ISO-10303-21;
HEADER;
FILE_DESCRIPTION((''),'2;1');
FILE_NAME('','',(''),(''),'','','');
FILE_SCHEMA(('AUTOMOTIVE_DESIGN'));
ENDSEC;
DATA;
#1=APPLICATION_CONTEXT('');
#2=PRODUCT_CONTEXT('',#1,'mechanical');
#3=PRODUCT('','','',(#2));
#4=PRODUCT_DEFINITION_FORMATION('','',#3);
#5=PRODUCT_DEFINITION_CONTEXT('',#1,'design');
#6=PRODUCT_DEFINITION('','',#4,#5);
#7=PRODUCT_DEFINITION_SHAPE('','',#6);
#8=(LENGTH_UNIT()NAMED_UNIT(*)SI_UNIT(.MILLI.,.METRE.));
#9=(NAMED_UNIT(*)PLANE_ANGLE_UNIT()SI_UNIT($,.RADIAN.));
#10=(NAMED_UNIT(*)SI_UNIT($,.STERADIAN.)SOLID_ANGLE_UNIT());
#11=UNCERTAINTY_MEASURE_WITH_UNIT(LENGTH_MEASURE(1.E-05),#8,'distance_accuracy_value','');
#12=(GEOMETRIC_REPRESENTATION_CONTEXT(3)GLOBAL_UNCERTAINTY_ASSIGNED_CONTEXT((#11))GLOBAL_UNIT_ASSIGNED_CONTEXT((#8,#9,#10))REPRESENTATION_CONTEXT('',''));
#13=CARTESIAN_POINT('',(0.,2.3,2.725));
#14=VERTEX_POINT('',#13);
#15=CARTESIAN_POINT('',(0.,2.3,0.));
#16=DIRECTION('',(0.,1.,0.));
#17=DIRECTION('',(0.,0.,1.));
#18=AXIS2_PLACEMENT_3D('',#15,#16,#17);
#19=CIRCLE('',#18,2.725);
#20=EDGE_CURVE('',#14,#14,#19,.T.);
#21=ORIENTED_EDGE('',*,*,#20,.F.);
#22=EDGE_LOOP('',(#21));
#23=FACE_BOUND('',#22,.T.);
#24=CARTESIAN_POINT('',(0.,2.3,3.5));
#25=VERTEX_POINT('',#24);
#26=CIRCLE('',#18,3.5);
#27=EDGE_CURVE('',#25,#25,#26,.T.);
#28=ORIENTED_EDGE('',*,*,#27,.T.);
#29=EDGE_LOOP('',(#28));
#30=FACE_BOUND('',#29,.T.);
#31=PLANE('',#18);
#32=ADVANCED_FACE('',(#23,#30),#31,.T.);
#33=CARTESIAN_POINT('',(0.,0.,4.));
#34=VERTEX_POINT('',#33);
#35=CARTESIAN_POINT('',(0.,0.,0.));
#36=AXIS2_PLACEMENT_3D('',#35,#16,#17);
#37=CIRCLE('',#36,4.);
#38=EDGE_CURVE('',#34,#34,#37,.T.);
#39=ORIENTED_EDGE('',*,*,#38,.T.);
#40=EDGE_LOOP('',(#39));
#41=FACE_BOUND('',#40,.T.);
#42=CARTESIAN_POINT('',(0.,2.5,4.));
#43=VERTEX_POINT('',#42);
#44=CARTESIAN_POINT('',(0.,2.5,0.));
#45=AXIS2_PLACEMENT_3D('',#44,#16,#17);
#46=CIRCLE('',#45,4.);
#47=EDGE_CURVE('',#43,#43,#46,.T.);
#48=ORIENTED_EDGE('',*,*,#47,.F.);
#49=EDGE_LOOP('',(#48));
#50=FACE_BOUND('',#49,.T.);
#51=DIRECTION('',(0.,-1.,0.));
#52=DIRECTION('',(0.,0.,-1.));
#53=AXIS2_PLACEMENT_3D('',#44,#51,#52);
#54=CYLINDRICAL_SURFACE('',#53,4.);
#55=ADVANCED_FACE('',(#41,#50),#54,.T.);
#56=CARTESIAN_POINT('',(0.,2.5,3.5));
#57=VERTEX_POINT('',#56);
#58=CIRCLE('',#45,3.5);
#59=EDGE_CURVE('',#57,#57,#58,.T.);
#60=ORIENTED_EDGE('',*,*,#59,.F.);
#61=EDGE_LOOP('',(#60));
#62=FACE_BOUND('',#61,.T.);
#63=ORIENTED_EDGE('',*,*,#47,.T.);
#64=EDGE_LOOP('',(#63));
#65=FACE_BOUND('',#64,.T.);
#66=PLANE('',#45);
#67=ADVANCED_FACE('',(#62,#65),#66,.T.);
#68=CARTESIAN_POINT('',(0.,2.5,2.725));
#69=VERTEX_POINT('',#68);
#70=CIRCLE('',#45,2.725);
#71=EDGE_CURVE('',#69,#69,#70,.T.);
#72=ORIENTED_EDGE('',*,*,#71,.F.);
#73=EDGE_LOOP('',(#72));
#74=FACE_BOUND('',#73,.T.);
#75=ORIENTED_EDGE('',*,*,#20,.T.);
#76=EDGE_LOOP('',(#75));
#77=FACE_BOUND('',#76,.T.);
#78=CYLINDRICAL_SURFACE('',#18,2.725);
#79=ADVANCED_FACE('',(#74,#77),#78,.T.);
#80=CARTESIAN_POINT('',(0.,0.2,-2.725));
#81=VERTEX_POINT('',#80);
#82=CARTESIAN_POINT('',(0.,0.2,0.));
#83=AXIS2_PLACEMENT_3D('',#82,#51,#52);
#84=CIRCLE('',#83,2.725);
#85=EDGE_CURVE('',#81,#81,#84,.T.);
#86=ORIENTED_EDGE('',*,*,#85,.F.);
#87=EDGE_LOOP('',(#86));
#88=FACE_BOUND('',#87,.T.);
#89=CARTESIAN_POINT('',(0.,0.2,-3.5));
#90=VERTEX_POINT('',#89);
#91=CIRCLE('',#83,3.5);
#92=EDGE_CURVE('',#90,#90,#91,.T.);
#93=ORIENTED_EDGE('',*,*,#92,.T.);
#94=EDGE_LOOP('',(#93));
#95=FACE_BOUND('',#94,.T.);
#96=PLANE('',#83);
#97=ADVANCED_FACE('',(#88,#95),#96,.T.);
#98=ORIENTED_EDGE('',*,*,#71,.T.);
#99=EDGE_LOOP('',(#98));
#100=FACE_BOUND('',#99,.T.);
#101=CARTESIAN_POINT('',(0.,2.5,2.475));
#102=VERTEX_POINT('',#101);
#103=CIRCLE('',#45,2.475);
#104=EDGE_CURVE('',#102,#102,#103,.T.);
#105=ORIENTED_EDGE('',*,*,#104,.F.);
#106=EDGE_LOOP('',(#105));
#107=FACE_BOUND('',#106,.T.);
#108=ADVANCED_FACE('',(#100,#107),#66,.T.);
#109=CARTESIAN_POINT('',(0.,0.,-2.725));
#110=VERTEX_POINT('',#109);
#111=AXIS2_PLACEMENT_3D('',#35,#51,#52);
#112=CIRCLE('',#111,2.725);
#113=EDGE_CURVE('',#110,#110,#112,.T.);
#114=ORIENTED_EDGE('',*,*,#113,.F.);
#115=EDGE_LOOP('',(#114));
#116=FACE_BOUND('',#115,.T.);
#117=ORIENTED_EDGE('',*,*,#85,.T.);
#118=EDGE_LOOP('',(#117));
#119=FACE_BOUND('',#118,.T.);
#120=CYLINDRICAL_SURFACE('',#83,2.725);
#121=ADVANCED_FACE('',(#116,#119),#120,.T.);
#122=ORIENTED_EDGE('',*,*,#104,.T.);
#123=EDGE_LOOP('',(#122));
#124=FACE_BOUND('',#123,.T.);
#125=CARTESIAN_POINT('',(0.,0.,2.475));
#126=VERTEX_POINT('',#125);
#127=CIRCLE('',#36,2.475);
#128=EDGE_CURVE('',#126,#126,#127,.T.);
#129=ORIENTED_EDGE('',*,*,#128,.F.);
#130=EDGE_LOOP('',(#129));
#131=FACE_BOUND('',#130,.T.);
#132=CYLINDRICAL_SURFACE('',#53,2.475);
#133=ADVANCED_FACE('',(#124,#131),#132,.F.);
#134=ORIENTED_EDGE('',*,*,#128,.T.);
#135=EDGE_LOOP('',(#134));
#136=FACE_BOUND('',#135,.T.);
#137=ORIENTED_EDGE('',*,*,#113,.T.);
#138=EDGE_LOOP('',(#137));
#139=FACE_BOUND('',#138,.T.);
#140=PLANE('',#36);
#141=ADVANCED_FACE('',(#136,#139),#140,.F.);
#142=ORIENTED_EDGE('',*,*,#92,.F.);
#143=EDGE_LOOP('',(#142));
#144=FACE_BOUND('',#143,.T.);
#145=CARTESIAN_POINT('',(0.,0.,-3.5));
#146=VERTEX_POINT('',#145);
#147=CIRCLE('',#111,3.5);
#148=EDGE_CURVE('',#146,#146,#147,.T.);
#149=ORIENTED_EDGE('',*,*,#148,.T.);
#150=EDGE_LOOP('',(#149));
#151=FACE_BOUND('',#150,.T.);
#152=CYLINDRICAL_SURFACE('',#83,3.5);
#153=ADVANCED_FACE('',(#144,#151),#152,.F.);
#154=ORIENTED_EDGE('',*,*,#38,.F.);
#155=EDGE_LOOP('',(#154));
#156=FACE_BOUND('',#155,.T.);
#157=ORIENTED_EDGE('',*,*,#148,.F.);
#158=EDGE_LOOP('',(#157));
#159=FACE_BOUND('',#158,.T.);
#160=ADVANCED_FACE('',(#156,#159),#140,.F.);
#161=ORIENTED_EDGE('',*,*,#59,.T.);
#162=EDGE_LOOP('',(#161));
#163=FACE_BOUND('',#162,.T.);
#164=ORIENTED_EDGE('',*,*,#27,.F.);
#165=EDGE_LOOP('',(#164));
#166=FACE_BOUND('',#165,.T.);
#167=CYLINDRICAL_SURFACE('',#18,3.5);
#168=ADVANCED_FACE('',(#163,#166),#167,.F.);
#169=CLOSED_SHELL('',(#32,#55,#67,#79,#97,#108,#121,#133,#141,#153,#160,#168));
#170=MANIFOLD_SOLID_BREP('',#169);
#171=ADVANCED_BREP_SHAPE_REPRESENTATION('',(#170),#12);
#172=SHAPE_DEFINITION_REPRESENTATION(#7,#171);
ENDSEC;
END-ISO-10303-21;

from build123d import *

# Parameters (mm, degrees)
SKETCH_1_R          = 4
SKETCH_1_R_2        = 2.475
EXTRUDE_1_DEPTH     = 2.5
SKETCH_2_R          = 3.5
SKETCH_2_R_2        = 3.2
SKETCH_2_R_3        = 2.725
CUT_EXTRUDE_1_DEPTH = 0.2
CUT_EXTRUDE_START   = -0.2
SKETCH_3_R          = 3.5
SKETCH_3_R_2        = 2.725
CUT_EXTRUDE_2_DEPTH = 0.2


with BuildPart() as part:
    # Эскиз1 → Бобышка-Вытянуть1 (new body)
    with BuildSketch(Plane(origin=(0, 0, 0), x_dir=(1, 0, 0), z_dir=(0, 1, 0))):
        with Locations(Location((0, 0, 0), (0, 0, 270))):
            Circle(SKETCH_1_R)
        with Locations(Location((0, 0, 0), (0, 0, 270))):
            Circle(SKETCH_1_R_2, mode=Mode.SUBTRACT)
    extrude(amount=EXTRUDE_1_DEPTH)

    # Эскиз2 → Вырез-Вытянуть1 (cut)
    # profile 1 of 2: a face of its own
    with BuildSketch(Plane(origin=(0, 2.5, 0), x_dir=(1, 0, 0), z_dir=(0, 1, 0))):
        with Locations(Location((0, 0, 0), (0, 0, 270))):
            Circle(SKETCH_2_R)
        Circle(SKETCH_2_R_2, mode=Mode.SUBTRACT)
    # profile 2 of 2: a face of its own
    with BuildSketch(Plane(origin=(0, 2.5, 0), x_dir=(1, 0, 0), z_dir=(0, 1, 0))):
        Circle(SKETCH_2_R_2)
        with Locations(Location((0, 0, 0), (0, 0, 270))):
            Circle(SKETCH_2_R_3, mode=Mode.SUBTRACT)
    extrude(amount=-CUT_EXTRUDE_1_DEPTH, mode=Mode.SUBTRACT)

    # Эскиз3 → Вырез-Вытянуть2 (cut)
    with BuildSketch(Plane.XZ.offset(CUT_EXTRUDE_START)):
        with Locations(Location((0, 0, 0), (0, 0, 90))):
            Circle(SKETCH_3_R)
        with Locations(Location((0, 0, 0), (0, 0, 90))):
            Circle(SKETCH_3_R_2, mode=Mode.SUBTRACT)
    extrude(amount=CUT_EXTRUDE_2_DEPTH, mode=Mode.SUBTRACT)


solid = part.part
